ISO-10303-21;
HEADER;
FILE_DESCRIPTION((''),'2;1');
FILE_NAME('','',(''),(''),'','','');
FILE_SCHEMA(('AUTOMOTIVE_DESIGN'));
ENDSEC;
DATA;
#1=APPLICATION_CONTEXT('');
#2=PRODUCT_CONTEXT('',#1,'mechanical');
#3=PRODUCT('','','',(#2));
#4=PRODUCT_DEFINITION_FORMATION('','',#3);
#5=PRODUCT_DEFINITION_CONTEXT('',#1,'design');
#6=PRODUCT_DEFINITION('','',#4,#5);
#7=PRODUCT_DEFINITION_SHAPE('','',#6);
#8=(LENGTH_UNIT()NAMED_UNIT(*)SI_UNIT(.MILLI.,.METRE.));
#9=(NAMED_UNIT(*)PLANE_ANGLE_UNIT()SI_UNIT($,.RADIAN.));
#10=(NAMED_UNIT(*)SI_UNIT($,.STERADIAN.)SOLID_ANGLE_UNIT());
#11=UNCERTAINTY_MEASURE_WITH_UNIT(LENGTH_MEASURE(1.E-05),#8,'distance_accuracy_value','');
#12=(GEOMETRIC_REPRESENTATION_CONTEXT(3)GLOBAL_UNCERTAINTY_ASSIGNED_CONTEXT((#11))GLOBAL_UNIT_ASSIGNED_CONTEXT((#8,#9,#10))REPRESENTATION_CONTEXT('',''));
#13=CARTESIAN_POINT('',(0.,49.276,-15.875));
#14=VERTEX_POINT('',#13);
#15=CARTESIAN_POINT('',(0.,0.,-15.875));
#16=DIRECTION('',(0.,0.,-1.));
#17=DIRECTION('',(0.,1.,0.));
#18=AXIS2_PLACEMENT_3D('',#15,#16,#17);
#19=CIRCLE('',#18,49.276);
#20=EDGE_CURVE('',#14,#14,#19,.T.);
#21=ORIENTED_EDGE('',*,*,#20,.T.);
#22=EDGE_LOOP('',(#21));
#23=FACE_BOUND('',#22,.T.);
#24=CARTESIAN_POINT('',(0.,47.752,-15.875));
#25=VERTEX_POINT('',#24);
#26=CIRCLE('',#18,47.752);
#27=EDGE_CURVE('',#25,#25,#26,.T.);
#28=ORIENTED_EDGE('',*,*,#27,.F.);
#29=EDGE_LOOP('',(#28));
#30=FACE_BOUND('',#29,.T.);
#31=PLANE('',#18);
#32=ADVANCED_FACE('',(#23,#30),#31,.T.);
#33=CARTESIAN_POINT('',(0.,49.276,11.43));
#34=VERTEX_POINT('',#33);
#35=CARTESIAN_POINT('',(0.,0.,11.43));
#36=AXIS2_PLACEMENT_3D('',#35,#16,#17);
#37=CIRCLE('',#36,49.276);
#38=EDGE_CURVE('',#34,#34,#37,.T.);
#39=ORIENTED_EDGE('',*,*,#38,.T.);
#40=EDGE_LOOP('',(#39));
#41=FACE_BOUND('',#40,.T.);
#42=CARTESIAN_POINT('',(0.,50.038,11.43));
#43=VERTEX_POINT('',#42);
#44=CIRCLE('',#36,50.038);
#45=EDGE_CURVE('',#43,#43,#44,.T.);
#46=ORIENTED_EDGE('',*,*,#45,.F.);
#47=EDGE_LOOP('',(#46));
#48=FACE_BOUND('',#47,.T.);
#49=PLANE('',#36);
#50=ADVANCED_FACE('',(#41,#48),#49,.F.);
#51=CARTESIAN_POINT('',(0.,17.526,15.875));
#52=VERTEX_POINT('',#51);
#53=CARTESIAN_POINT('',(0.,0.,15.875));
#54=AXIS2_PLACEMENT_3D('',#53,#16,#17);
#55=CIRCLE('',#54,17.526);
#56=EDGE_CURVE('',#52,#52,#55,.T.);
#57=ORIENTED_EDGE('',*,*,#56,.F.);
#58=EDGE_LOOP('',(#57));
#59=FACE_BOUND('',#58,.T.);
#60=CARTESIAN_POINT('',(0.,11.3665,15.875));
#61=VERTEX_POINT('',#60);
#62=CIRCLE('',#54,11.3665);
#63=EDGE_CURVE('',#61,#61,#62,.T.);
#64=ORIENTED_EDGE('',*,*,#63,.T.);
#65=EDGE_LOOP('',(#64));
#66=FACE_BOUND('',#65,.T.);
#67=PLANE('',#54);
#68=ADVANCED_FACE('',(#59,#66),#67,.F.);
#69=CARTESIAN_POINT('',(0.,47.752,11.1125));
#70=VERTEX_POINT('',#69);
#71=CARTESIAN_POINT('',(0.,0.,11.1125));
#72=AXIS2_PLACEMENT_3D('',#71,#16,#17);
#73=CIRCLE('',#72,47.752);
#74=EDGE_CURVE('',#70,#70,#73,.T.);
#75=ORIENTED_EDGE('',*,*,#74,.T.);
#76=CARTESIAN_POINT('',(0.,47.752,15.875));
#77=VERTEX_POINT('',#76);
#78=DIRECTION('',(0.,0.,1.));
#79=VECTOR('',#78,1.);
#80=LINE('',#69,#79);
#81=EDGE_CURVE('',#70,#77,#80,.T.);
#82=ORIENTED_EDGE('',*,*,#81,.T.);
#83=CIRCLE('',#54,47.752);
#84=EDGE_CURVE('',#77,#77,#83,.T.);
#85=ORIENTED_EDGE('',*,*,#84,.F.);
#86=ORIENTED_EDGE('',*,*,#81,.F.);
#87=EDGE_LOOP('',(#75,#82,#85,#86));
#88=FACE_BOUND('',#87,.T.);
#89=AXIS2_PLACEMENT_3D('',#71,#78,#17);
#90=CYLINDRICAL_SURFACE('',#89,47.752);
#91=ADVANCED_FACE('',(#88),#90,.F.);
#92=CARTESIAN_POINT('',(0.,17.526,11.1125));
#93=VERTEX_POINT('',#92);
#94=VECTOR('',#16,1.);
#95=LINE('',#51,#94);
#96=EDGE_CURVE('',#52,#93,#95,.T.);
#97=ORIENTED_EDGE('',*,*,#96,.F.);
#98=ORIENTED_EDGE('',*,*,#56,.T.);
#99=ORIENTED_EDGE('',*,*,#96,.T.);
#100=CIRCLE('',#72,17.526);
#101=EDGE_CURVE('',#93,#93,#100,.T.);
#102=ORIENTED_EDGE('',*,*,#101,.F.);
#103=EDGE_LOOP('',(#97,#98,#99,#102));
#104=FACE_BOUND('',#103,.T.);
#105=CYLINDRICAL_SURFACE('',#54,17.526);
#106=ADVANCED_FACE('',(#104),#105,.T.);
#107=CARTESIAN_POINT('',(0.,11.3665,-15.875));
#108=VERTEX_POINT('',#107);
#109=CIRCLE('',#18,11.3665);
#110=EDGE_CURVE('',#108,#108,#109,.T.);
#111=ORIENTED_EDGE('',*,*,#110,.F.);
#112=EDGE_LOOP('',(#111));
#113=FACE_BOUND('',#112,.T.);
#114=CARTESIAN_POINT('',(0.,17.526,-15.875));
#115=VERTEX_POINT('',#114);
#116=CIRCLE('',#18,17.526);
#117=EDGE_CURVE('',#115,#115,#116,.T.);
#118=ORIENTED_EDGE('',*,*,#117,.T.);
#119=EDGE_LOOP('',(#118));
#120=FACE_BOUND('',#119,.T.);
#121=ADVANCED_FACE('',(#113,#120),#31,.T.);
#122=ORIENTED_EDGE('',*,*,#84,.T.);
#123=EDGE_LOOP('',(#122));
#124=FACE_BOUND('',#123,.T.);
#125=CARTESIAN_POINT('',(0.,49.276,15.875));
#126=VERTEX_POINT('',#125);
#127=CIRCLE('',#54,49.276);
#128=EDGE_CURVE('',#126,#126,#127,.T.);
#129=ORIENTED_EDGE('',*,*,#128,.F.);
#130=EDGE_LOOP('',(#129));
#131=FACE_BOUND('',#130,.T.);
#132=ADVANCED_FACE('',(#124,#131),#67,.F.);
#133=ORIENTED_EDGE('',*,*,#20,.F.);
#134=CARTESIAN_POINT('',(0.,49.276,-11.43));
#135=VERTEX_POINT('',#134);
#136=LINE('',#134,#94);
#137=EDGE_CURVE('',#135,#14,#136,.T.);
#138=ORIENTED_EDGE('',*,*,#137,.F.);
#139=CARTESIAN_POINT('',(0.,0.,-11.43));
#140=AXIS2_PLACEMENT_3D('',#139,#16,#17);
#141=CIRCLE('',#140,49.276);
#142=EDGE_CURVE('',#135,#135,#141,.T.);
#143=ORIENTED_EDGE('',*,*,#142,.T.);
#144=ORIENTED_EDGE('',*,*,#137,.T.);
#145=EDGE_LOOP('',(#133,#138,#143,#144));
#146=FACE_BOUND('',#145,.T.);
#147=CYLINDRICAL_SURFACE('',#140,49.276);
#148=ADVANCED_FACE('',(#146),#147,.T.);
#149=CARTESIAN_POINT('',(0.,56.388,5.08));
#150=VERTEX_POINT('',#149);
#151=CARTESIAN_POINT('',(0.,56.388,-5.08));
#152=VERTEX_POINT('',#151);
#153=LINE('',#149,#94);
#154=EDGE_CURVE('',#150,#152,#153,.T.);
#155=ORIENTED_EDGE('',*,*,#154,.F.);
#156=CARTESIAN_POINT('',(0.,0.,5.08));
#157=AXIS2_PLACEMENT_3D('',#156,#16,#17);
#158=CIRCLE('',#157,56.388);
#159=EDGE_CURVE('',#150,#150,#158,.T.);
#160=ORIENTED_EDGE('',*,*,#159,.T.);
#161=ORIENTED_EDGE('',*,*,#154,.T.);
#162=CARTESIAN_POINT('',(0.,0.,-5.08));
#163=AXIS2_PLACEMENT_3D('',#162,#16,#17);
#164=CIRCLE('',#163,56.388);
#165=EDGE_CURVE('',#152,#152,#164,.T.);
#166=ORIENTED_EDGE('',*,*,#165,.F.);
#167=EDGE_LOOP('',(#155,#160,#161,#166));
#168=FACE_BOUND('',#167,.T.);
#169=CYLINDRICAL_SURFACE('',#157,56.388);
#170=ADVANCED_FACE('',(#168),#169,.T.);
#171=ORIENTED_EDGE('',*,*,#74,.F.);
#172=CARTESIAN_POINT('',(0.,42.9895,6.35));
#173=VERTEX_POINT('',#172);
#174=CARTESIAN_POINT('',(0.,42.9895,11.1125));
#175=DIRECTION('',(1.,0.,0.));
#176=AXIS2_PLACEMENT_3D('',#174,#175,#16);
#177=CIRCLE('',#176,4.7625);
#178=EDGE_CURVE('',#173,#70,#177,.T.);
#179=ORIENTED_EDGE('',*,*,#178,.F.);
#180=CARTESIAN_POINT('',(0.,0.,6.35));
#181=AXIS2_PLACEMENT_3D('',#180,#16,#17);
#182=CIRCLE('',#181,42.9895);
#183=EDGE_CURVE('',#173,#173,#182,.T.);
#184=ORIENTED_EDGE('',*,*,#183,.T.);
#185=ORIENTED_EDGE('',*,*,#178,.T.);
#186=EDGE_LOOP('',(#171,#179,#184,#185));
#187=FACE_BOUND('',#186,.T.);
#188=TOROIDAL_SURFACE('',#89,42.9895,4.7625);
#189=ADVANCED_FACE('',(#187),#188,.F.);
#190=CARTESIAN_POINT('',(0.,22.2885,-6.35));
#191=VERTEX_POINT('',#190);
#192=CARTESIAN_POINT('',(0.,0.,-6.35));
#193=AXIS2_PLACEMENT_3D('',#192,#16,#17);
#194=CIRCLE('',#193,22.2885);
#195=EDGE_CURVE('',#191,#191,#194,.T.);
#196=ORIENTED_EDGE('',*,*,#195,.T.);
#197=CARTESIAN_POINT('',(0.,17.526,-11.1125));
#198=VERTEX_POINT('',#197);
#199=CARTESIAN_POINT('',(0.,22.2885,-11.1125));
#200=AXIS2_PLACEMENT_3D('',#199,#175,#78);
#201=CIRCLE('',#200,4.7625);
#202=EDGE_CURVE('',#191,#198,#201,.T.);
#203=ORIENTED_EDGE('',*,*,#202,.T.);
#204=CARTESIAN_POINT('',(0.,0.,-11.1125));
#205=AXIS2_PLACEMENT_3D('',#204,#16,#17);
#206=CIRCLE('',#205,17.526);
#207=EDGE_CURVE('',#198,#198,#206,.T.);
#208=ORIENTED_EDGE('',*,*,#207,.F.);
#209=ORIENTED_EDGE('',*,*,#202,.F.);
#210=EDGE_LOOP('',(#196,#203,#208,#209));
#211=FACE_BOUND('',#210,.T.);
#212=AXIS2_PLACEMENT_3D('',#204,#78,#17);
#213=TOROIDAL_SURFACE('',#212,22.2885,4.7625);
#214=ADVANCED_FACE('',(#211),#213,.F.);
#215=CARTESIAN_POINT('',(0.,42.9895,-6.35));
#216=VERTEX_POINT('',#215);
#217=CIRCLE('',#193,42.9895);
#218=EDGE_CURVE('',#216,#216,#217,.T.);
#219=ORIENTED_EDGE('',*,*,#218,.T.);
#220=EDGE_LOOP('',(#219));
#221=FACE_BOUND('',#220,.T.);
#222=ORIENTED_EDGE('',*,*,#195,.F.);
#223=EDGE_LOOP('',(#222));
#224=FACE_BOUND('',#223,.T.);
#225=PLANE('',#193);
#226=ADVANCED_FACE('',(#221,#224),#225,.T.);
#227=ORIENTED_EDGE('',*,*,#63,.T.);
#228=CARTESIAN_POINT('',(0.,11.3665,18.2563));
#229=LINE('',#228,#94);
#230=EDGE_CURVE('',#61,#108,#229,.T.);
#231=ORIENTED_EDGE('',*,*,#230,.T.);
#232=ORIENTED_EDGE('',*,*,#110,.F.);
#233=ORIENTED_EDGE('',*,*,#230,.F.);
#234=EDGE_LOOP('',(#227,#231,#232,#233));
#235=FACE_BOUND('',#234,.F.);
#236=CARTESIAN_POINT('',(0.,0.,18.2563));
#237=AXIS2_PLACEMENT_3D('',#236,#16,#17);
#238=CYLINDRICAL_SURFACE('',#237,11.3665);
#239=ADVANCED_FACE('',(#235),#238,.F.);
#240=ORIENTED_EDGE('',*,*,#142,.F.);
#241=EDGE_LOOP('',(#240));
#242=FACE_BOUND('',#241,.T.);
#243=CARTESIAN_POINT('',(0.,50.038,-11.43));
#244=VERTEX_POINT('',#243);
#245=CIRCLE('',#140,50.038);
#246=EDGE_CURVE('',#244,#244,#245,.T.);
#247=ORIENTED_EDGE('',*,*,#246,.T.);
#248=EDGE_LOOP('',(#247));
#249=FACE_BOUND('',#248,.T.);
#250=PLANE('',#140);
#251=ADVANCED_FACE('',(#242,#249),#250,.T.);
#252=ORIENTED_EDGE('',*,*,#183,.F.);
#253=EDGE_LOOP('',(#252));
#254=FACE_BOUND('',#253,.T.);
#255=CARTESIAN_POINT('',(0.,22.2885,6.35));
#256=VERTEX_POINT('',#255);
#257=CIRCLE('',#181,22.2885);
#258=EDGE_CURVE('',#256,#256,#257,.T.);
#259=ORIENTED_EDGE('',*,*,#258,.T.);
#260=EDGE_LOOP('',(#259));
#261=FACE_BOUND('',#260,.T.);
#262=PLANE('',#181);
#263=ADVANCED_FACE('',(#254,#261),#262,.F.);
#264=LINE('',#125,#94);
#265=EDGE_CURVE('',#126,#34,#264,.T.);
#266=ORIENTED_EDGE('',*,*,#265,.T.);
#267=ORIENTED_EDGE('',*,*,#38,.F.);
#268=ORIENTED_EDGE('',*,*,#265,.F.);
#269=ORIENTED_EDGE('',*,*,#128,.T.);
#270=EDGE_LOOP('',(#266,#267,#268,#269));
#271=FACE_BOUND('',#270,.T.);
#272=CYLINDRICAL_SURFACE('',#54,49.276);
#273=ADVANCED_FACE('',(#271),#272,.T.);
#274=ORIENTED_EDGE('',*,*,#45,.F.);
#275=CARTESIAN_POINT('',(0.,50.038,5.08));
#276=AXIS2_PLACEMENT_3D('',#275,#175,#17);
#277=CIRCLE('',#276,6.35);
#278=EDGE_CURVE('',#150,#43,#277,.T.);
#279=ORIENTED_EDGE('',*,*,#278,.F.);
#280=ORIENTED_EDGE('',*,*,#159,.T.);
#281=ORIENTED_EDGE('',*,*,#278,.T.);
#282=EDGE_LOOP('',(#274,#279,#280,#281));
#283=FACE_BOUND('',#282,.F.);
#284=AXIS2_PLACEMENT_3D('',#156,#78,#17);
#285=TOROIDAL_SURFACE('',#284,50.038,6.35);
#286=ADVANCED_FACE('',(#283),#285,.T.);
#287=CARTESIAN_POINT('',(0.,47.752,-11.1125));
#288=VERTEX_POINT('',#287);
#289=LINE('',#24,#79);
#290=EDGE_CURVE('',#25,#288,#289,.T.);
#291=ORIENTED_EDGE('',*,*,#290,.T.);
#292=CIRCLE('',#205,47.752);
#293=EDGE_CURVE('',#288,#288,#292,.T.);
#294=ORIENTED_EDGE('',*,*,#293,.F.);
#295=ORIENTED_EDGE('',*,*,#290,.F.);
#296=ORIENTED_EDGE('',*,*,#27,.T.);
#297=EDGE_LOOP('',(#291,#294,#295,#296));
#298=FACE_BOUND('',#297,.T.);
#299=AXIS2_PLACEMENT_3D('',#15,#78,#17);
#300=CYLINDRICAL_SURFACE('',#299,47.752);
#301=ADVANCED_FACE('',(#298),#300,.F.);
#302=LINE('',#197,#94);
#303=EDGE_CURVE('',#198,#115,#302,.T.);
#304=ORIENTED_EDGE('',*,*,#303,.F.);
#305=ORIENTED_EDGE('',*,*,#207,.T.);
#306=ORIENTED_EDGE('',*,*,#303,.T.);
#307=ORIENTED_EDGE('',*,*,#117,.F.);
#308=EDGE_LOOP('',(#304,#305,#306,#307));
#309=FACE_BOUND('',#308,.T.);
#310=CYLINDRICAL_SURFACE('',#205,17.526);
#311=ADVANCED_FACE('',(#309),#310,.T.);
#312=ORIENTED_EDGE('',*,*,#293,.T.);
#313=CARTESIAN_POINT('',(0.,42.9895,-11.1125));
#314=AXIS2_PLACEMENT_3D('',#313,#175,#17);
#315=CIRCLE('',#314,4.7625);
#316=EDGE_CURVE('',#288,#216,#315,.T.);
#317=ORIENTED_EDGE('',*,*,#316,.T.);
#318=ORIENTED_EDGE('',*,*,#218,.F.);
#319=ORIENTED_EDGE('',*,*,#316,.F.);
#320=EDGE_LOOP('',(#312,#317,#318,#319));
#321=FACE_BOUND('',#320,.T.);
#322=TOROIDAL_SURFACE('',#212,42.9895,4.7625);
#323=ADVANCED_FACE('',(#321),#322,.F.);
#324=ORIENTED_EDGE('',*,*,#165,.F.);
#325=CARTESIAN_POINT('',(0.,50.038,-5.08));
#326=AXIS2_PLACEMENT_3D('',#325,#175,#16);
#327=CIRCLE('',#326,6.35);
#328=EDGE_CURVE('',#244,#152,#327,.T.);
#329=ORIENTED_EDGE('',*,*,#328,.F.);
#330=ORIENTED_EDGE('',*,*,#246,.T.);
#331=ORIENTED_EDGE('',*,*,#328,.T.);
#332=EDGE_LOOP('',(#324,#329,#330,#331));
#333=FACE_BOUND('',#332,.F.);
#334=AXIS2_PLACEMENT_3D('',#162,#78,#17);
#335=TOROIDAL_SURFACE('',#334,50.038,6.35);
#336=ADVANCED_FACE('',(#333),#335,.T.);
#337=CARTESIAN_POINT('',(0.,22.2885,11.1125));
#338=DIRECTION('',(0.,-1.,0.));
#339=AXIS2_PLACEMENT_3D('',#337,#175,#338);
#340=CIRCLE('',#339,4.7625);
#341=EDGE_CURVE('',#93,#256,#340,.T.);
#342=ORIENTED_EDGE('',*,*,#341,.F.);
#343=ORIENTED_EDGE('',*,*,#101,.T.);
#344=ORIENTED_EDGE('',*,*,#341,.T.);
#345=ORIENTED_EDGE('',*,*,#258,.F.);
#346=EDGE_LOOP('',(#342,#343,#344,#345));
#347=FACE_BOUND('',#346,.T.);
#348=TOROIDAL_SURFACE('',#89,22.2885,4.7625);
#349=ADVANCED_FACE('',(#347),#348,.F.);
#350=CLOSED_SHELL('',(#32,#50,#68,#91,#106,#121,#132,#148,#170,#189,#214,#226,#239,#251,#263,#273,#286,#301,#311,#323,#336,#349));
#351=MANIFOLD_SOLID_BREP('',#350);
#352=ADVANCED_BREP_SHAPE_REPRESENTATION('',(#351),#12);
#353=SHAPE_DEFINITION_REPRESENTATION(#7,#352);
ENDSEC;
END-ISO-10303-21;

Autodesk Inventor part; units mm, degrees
sketch "Sketch_20" plane through (0, 0, 0) normal (1, 0, 0) x (0, 1, 0)
  line L0 (0, -15.875) -> (0, 15.875)
  line L1 (0, 15.875) -> (17.526, 15.875)
  line L2 (17.526, 15.875) -> (17.526, 11.1125)
  arc A0 (17.526, 11.1125) -> (22.2885, 6.35) centre (22.2885, 11.1125) ccw
  line L3 (22.2885, 6.35) -> (42.9895, 6.35)
  arc A1 (42.9895, 6.35) -> (47.752, 11.1125) centre (42.9895, 11.1125) ccw
  line L4 (47.752, 11.1125) -> (47.752, 15.875)
  line L5 (47.752, 15.875) -> (49.276, 15.875)
  line L6 (49.276, 15.875) -> (49.276, 11.43)
  line L7 (49.276, 11.43) -> (50.038, 11.43)
  arc A2 (56.388, 5.08) -> (50.038, 11.43) centre (50.038, 5.08) ccw
  line L8 (56.388, 5.08) -> (56.388, -5.08)
  arc A3 (50.038, -11.43) -> (56.388, -5.08) centre (50.038, -5.08) ccw
  line L9 (50.038, -11.43) -> (49.276, -11.43)
  line L10 (49.276, -11.43) -> (49.276, -15.875)
  line L11 (49.276, -15.875) -> (47.752, -15.875)
  line L12 (47.752, -15.875) -> (47.752, -11.1125)
  arc A4 (47.752, -11.1125) -> (42.9895, -6.35) centre (42.9895, -11.1125) ccw
  line L13 (42.9895, -6.35) -> (22.2885, -6.35)
  arc A5 (22.2885, -6.35) -> (17.526, -11.1125) centre (22.2885, -11.1125) ccw
  line L14 (17.526, -11.1125) -> (17.526, -15.875)
  line L15 (17.526, -15.875) -> (0, -15.875)
  line L16 (0, -15.875) -> (0, 15.875)
revolve "Revolution1" add sketch "Sketch_20" angle 360 about axis through (0, 0, -15.875) along (0, 0, -1)
sketch "Sketch_3" plane through (0, 0, 0) normal (1, 0, 0) x (0, 1, 0)
  line L0 (0, -18.2563) -> (0, 18.2563)
  line L1 (0, 18.2563) -> (11.3665, 18.2563)
  line L2 (11.3665, 18.2563) -> (11.3665, -18.2563)
  line L3 (11.3665, -18.2563) -> (0, -18.2563)
  line L4 (0, -18.2563) -> (0, 18.2563)
revolve "Revolution2" cut sketch "Sketch_3" angle 360 about axis through (0, 0, -18.2563) along (0, 0, -1)
ref_plane "BB_1_XY" through (0, 6.35, -18.2563) normal (1, 0, 0) x (0, 0, -1)
ref_plane "BB_1_YZ" through (0, 6.35, -18.2563) normal (0, 0, -1) x (0, 1, 0)
ref_plane "BB_1_ZX" through (0, 6.35, -18.2563) normal (0, 1, 0) x (1, 0, 0)
ref_plane "BB_2_XY" through (0, -6.35, -18.2563) normal (1, 0, 0) x (0, 0, -1)
ref_plane "BB_2_YZ" through (0, -6.35, -18.2563) normal (0, 0, -1) x (0, 1, 0)
ref_plane "BB_2_ZX" through (0, -6.35, -18.2563) normal (0, 1, 0) x (1, 0, 0)
ref_plane "D_1_XY" through (0, 63.5, 0) normal (0, 0, 1) x (1, 0, 0)
ref_plane "D_1_YZ" through (0, 63.5, 0) normal (1, 0, 0) x (0, 1, 0)
ref_plane "D_1_ZX" through (0, 63.5, 0) normal (0, 1, 0) x (0, 0, 1)
ref_plane "D_2_XY" through (0, -63.5, 0) normal (0, 0, 1) x (1, 0, 0)
ref_plane "D_2_YZ" through (0, -63.5, 0) normal (1, 0, 0) x (0, 1, 0)
ref_plane "D_2_ZX" through (0, -63.5, 0) normal (0, 1, 0) x (0, 0, 1)
ref_plane "HUB_1_XY" through (0, -17.526, 18.2563) normal (1, 0, 0) x (0, 0, -1)
ref_plane "HUB_1_YZ" through (0, -17.526, 18.2563) normal (0, 0, -1) x (0, 1, 0)
ref_plane "HUB_1_ZX" through (0, -17.526, 18.2563) normal (0, 1, 0) x (1, 0, 0)
ref_plane "HUB_2_XY" through (0, -17.526, -18.2563) normal (1, 0, 0) x (0, 0, -1)
ref_plane "HUB_2_YZ" through (0, -17.526, -18.2563) normal (0, 0, -1) x (0, 1, 0)
ref_plane "HUB_2_ZX" through (0, -17.526, -18.2563) normal (0, 1, 0) x (1, 0, 0)
ref_plane "W_1_XY" through (0, 17.526, 15.875) normal (1, 0, 0) x (0, 0, -1)
ref_plane "W_1_YZ" through (0, 17.526, 15.875) normal (0, 0, -1) x (0, 1, 0)
ref_plane "W_1_ZX" through (0, 17.526, 15.875) normal (0, 1, 0) x (1, 0, 0)
ref_plane "W_2_XY" through (0, 17.526, -15.875) normal (1, 0, 0) x (0, 0, -1)
ref_plane "W_2_YZ" through (0, 17.526, -15.875) normal (0, 0, -1) x (0, 1, 0)
ref_plane "W_2_ZX" through (0, 17.526, -15.875) normal (0, 1, 0) x (1, 0, 0)
ref_plane "core_XY" through (0, 0, 0) normal (0, 0, 1) x (1, 0, 0)
ref_plane "core_YZ" through (0, 0, 0) normal (1, 0, 0) x (0, 1, 0)
ref_plane "core_ZX" through (0, 0, 0) normal (0, 1, 0) x (0, 0, 1)
ref_plane "core_to_bearing1_XY" through (0, 0, 15.875) normal (0, 0, 1) x (1, 0, 0)
ref_plane "core_to_bearing1_YZ" through (0, 0, 15.875) normal (1, 0, 0) x (0, 1, 0)
ref_plane "core_to_bearing1_ZX" through (0, 0, 15.875) normal (0, 1, 0) x (0, 0, 1)
ref_plane "core_to_bearing2_XY" through (0, 0, -15.875) normal (0, 0, 1) x (1, 0, 0)
ref_plane "core_to_bearing2_YZ" through (0, 0, -15.875) normal (1, 0, 0) x (0, 1, 0)
ref_plane "core_to_bearing2_ZX" through (0, 0, -15.875) normal (0, 1, 0) x (0, 0, 1)
ref_plane "core_to_tg1_XY" through (0, 0, 19.05) normal (0, 0, 1) x (1, 0, 0)
ref_plane "core_to_tg1_YZ" through (0, 0, 19.05) normal (1, 0, 0) x (0, 1, 0)
ref_plane "core_to_tg1_ZX" through (0, 0, 19.05) normal (0, 1, 0) x (0, 0, 1)
ref_plane "core_to_tg2_XY" through (0, 0, -19.05) normal (0, 0, 1) x (1, 0, 0)
ref_plane "core_to_tg2_YZ" through (0, 0, -19.05) normal (1, 0, 0) x (0, 1, 0)
ref_plane "core_to_tg2_ZX" through (0, 0, -19.05) normal (0, 1, 0) x (0, 0, 1)
ref_plane "to_spacer1_XY" through (0, 0, 20.4153) normal (0, 0, 1) x (1, 0, 0)
ref_plane "to_spacer1_YZ" through (0, 0, 20.4153) normal (1, 0, 0) x (0, 1, 0)
ref_plane "to_spacer1_ZX" through (0, 0, 20.4153) normal (0, 1, 0) x (0, 0, 1)
ref_plane "to_spacer2_XY" through (0, 0, -20.4153) normal (0, 0, 1) x (1, 0, 0)
ref_plane "to_spacer2_YZ" through (0, 0, -20.4153) normal (1, 0, 0) x (0, 1, 0)
ref_plane "to_spacer2_ZX" through (0, 0, -20.4153) normal (0, 1, 0) x (0, 0, 1)
ref_plane "to_washer1_XY" through (0, 0, 18.2563) normal (0, 0, 1) x (1, 0, 0)
ref_plane "to_washer1_YZ" through (0, 0, 18.2563) normal (1, 0, 0) x (0, 1, 0)
ref_plane "to_washer1_ZX" through (0, 0, 18.2563) normal (0, 1, 0) x (0, 0, 1)
ref_plane "to_washer2_XY" through (0, 0, -18.2563) normal (0, 0, 1) x (1, 0, 0)
ref_plane "to_washer2_YZ" through (0, 0, -18.2563) normal (1, 0, 0) x (0, 1, 0)
ref_plane "to_washer2_ZX" through (0, 0, -18.2563) normal (0, 1, 0) x (0, 0, 1)
properties part number "2.00005.4411 1/4 (C)"
